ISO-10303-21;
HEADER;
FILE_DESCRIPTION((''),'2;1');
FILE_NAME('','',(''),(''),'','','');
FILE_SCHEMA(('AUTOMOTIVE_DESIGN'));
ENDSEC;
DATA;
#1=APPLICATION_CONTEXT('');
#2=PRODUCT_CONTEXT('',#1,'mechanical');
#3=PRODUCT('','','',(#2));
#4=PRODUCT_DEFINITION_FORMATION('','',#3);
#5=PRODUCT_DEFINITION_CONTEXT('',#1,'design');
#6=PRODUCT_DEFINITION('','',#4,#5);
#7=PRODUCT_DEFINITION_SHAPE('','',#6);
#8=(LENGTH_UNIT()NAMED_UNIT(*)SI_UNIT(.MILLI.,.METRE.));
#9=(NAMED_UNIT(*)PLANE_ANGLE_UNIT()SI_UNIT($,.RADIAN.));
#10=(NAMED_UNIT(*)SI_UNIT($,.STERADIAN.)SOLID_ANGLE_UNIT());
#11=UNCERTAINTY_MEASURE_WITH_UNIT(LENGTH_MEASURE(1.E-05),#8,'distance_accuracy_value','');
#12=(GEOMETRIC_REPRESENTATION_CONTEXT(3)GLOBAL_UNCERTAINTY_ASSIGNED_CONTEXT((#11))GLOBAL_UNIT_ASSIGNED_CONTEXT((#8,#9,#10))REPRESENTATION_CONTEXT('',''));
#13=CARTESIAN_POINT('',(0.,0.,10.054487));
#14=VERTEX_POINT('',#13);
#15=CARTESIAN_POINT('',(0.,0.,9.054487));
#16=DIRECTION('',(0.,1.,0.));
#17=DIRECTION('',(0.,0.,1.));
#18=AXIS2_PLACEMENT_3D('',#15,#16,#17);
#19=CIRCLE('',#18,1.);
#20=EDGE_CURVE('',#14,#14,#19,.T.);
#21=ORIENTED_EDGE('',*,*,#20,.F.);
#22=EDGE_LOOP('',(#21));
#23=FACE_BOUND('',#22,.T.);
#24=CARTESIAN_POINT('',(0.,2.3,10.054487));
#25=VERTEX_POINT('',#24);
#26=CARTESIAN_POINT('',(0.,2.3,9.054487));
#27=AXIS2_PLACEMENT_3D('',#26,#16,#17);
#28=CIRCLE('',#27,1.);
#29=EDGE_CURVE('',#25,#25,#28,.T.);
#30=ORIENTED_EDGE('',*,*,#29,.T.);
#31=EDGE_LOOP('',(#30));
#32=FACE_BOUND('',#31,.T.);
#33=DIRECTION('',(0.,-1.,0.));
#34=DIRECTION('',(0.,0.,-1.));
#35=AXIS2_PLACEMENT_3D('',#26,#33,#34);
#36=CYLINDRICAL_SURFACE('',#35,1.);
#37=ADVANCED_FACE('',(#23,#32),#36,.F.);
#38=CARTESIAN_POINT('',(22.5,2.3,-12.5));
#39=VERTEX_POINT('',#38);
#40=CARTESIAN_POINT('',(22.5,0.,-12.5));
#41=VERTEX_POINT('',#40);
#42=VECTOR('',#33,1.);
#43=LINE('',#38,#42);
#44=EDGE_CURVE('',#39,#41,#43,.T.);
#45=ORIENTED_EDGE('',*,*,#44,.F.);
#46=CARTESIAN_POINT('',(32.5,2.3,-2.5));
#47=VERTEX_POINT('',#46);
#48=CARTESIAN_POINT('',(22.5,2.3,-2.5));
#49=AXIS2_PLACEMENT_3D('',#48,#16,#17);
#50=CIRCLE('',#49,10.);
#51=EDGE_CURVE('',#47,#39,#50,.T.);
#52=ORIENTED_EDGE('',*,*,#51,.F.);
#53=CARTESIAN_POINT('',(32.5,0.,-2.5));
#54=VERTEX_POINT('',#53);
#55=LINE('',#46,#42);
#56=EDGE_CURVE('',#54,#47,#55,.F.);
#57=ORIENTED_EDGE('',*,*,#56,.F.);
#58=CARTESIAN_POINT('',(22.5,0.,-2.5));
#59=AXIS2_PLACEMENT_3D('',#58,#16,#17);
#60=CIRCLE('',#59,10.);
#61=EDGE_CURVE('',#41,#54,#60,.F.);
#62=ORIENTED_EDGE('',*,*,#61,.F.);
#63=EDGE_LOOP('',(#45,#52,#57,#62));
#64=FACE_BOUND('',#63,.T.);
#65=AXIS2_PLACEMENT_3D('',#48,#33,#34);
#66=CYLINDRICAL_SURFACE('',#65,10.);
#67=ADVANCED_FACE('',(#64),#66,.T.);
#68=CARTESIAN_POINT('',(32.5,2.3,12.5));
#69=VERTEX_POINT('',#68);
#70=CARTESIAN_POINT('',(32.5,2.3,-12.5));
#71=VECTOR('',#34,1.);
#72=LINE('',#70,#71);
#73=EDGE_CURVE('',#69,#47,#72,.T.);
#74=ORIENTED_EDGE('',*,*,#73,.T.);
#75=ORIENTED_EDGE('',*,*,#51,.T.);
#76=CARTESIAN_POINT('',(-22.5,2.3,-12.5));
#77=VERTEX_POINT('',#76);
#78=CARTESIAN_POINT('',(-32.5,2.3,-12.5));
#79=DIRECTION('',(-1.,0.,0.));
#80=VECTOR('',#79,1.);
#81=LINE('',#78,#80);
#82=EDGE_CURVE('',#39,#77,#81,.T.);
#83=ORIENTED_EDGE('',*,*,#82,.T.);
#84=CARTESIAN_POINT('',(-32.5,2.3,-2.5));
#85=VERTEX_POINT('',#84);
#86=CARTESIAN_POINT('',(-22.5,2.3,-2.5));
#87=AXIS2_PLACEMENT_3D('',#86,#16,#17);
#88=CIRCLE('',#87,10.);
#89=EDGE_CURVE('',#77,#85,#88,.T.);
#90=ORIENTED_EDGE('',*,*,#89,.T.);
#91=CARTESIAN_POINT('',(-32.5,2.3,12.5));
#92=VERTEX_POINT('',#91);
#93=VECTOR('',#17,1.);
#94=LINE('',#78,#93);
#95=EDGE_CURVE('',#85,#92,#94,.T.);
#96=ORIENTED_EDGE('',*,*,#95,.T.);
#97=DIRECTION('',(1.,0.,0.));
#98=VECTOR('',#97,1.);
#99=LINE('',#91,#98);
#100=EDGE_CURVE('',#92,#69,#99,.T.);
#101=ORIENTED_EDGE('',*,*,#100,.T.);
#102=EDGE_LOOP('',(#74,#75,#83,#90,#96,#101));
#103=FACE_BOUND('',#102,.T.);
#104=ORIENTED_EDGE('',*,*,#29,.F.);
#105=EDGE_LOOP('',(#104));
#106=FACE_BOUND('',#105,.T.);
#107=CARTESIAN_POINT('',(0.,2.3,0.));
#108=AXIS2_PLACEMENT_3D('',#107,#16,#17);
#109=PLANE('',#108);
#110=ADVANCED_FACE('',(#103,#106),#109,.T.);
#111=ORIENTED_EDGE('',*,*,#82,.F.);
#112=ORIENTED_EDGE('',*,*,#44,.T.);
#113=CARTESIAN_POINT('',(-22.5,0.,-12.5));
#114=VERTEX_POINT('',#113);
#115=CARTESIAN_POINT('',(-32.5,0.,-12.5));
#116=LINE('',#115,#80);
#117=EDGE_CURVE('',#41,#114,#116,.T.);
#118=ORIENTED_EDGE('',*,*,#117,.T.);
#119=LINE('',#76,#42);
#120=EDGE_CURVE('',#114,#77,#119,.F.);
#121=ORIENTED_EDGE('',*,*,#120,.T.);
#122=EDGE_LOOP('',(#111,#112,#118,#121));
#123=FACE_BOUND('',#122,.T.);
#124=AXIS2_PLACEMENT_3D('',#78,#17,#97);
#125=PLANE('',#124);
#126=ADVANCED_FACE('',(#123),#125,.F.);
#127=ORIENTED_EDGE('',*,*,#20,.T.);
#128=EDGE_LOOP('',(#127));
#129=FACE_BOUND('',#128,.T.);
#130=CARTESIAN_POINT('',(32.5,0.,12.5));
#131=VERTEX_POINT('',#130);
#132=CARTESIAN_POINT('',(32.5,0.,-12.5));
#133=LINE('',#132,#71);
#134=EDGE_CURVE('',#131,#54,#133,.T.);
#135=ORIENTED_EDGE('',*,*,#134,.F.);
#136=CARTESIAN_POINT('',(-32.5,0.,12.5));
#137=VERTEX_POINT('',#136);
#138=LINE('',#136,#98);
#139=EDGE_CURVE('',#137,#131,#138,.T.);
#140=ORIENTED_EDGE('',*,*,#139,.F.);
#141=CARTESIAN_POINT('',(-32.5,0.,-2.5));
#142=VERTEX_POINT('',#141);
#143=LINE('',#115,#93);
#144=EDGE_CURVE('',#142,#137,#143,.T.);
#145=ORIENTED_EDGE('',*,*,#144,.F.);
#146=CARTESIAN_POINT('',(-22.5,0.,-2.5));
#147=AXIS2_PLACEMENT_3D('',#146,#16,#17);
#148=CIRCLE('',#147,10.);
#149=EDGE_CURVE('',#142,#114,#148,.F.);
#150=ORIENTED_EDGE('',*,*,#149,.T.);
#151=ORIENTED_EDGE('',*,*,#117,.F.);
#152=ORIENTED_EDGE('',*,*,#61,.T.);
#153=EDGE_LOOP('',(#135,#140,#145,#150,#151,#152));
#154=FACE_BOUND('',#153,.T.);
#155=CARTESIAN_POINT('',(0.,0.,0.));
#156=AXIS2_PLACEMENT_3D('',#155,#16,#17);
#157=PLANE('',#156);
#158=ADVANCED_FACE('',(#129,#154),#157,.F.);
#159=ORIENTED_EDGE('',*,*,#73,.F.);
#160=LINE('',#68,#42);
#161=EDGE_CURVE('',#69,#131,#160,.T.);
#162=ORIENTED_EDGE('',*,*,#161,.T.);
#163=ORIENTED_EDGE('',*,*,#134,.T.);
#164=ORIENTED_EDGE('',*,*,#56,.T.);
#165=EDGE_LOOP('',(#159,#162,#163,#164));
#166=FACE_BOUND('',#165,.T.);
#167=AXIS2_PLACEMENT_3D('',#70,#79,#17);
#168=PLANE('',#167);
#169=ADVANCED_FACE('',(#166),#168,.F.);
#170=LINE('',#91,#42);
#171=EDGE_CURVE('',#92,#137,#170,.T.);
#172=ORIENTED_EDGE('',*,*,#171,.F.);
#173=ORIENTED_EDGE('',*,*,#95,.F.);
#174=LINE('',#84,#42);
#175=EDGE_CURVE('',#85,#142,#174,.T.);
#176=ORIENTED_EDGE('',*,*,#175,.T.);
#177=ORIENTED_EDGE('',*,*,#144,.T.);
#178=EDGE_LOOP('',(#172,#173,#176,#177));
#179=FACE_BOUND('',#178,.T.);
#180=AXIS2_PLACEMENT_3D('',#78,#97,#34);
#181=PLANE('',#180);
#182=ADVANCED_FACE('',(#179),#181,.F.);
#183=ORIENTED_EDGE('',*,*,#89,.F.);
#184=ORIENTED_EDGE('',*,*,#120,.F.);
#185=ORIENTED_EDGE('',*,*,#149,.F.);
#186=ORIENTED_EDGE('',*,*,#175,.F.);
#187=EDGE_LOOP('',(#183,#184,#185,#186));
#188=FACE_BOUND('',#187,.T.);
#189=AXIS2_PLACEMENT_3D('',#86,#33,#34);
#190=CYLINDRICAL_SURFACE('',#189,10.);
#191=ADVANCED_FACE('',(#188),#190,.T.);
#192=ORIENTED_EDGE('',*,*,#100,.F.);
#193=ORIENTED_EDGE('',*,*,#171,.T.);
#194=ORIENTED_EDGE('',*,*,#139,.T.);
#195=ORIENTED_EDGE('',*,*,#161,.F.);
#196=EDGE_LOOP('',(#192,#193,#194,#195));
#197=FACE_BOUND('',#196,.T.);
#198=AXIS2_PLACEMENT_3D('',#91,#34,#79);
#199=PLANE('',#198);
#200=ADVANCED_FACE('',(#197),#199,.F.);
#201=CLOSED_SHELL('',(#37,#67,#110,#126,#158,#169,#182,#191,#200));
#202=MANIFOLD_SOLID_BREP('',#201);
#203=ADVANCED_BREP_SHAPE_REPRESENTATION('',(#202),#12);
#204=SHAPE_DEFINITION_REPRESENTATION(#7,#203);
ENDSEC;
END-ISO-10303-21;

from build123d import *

# Parameters (mm, degrees)
SKETCH2_W           = 65
SKETCH2_H           = 25
SKETCH2_R           = 1
BOSS_EXTRUDE1_DEPTH = 2.3
FILLET9_R           = 10


with BuildPart() as part:
    # Sketch2 → Boss-Extrude1 (new body)
    with BuildSketch(Plane(origin=(0, 0, 0), x_dir=(1, 0, 0), z_dir=(0, 1, 0))):
        Rectangle(SKETCH2_W, SKETCH2_H)
        with Locations((0, -9.054487493)):
            Circle(SKETCH2_R, mode=Mode.SUBTRACT)
    extrude(amount=BOSS_EXTRUDE1_DEPTH)

    # Fillet9
    fillet9_edges = [part.edges().sort_by_distance(p)[0] for p in [
        (-32.5, 1.15, -12.5),
        (32.5, 1.15, -12.5),
    ]]
    fillet(fillet9_edges, radius=FILLET9_R)


solid = part.part
